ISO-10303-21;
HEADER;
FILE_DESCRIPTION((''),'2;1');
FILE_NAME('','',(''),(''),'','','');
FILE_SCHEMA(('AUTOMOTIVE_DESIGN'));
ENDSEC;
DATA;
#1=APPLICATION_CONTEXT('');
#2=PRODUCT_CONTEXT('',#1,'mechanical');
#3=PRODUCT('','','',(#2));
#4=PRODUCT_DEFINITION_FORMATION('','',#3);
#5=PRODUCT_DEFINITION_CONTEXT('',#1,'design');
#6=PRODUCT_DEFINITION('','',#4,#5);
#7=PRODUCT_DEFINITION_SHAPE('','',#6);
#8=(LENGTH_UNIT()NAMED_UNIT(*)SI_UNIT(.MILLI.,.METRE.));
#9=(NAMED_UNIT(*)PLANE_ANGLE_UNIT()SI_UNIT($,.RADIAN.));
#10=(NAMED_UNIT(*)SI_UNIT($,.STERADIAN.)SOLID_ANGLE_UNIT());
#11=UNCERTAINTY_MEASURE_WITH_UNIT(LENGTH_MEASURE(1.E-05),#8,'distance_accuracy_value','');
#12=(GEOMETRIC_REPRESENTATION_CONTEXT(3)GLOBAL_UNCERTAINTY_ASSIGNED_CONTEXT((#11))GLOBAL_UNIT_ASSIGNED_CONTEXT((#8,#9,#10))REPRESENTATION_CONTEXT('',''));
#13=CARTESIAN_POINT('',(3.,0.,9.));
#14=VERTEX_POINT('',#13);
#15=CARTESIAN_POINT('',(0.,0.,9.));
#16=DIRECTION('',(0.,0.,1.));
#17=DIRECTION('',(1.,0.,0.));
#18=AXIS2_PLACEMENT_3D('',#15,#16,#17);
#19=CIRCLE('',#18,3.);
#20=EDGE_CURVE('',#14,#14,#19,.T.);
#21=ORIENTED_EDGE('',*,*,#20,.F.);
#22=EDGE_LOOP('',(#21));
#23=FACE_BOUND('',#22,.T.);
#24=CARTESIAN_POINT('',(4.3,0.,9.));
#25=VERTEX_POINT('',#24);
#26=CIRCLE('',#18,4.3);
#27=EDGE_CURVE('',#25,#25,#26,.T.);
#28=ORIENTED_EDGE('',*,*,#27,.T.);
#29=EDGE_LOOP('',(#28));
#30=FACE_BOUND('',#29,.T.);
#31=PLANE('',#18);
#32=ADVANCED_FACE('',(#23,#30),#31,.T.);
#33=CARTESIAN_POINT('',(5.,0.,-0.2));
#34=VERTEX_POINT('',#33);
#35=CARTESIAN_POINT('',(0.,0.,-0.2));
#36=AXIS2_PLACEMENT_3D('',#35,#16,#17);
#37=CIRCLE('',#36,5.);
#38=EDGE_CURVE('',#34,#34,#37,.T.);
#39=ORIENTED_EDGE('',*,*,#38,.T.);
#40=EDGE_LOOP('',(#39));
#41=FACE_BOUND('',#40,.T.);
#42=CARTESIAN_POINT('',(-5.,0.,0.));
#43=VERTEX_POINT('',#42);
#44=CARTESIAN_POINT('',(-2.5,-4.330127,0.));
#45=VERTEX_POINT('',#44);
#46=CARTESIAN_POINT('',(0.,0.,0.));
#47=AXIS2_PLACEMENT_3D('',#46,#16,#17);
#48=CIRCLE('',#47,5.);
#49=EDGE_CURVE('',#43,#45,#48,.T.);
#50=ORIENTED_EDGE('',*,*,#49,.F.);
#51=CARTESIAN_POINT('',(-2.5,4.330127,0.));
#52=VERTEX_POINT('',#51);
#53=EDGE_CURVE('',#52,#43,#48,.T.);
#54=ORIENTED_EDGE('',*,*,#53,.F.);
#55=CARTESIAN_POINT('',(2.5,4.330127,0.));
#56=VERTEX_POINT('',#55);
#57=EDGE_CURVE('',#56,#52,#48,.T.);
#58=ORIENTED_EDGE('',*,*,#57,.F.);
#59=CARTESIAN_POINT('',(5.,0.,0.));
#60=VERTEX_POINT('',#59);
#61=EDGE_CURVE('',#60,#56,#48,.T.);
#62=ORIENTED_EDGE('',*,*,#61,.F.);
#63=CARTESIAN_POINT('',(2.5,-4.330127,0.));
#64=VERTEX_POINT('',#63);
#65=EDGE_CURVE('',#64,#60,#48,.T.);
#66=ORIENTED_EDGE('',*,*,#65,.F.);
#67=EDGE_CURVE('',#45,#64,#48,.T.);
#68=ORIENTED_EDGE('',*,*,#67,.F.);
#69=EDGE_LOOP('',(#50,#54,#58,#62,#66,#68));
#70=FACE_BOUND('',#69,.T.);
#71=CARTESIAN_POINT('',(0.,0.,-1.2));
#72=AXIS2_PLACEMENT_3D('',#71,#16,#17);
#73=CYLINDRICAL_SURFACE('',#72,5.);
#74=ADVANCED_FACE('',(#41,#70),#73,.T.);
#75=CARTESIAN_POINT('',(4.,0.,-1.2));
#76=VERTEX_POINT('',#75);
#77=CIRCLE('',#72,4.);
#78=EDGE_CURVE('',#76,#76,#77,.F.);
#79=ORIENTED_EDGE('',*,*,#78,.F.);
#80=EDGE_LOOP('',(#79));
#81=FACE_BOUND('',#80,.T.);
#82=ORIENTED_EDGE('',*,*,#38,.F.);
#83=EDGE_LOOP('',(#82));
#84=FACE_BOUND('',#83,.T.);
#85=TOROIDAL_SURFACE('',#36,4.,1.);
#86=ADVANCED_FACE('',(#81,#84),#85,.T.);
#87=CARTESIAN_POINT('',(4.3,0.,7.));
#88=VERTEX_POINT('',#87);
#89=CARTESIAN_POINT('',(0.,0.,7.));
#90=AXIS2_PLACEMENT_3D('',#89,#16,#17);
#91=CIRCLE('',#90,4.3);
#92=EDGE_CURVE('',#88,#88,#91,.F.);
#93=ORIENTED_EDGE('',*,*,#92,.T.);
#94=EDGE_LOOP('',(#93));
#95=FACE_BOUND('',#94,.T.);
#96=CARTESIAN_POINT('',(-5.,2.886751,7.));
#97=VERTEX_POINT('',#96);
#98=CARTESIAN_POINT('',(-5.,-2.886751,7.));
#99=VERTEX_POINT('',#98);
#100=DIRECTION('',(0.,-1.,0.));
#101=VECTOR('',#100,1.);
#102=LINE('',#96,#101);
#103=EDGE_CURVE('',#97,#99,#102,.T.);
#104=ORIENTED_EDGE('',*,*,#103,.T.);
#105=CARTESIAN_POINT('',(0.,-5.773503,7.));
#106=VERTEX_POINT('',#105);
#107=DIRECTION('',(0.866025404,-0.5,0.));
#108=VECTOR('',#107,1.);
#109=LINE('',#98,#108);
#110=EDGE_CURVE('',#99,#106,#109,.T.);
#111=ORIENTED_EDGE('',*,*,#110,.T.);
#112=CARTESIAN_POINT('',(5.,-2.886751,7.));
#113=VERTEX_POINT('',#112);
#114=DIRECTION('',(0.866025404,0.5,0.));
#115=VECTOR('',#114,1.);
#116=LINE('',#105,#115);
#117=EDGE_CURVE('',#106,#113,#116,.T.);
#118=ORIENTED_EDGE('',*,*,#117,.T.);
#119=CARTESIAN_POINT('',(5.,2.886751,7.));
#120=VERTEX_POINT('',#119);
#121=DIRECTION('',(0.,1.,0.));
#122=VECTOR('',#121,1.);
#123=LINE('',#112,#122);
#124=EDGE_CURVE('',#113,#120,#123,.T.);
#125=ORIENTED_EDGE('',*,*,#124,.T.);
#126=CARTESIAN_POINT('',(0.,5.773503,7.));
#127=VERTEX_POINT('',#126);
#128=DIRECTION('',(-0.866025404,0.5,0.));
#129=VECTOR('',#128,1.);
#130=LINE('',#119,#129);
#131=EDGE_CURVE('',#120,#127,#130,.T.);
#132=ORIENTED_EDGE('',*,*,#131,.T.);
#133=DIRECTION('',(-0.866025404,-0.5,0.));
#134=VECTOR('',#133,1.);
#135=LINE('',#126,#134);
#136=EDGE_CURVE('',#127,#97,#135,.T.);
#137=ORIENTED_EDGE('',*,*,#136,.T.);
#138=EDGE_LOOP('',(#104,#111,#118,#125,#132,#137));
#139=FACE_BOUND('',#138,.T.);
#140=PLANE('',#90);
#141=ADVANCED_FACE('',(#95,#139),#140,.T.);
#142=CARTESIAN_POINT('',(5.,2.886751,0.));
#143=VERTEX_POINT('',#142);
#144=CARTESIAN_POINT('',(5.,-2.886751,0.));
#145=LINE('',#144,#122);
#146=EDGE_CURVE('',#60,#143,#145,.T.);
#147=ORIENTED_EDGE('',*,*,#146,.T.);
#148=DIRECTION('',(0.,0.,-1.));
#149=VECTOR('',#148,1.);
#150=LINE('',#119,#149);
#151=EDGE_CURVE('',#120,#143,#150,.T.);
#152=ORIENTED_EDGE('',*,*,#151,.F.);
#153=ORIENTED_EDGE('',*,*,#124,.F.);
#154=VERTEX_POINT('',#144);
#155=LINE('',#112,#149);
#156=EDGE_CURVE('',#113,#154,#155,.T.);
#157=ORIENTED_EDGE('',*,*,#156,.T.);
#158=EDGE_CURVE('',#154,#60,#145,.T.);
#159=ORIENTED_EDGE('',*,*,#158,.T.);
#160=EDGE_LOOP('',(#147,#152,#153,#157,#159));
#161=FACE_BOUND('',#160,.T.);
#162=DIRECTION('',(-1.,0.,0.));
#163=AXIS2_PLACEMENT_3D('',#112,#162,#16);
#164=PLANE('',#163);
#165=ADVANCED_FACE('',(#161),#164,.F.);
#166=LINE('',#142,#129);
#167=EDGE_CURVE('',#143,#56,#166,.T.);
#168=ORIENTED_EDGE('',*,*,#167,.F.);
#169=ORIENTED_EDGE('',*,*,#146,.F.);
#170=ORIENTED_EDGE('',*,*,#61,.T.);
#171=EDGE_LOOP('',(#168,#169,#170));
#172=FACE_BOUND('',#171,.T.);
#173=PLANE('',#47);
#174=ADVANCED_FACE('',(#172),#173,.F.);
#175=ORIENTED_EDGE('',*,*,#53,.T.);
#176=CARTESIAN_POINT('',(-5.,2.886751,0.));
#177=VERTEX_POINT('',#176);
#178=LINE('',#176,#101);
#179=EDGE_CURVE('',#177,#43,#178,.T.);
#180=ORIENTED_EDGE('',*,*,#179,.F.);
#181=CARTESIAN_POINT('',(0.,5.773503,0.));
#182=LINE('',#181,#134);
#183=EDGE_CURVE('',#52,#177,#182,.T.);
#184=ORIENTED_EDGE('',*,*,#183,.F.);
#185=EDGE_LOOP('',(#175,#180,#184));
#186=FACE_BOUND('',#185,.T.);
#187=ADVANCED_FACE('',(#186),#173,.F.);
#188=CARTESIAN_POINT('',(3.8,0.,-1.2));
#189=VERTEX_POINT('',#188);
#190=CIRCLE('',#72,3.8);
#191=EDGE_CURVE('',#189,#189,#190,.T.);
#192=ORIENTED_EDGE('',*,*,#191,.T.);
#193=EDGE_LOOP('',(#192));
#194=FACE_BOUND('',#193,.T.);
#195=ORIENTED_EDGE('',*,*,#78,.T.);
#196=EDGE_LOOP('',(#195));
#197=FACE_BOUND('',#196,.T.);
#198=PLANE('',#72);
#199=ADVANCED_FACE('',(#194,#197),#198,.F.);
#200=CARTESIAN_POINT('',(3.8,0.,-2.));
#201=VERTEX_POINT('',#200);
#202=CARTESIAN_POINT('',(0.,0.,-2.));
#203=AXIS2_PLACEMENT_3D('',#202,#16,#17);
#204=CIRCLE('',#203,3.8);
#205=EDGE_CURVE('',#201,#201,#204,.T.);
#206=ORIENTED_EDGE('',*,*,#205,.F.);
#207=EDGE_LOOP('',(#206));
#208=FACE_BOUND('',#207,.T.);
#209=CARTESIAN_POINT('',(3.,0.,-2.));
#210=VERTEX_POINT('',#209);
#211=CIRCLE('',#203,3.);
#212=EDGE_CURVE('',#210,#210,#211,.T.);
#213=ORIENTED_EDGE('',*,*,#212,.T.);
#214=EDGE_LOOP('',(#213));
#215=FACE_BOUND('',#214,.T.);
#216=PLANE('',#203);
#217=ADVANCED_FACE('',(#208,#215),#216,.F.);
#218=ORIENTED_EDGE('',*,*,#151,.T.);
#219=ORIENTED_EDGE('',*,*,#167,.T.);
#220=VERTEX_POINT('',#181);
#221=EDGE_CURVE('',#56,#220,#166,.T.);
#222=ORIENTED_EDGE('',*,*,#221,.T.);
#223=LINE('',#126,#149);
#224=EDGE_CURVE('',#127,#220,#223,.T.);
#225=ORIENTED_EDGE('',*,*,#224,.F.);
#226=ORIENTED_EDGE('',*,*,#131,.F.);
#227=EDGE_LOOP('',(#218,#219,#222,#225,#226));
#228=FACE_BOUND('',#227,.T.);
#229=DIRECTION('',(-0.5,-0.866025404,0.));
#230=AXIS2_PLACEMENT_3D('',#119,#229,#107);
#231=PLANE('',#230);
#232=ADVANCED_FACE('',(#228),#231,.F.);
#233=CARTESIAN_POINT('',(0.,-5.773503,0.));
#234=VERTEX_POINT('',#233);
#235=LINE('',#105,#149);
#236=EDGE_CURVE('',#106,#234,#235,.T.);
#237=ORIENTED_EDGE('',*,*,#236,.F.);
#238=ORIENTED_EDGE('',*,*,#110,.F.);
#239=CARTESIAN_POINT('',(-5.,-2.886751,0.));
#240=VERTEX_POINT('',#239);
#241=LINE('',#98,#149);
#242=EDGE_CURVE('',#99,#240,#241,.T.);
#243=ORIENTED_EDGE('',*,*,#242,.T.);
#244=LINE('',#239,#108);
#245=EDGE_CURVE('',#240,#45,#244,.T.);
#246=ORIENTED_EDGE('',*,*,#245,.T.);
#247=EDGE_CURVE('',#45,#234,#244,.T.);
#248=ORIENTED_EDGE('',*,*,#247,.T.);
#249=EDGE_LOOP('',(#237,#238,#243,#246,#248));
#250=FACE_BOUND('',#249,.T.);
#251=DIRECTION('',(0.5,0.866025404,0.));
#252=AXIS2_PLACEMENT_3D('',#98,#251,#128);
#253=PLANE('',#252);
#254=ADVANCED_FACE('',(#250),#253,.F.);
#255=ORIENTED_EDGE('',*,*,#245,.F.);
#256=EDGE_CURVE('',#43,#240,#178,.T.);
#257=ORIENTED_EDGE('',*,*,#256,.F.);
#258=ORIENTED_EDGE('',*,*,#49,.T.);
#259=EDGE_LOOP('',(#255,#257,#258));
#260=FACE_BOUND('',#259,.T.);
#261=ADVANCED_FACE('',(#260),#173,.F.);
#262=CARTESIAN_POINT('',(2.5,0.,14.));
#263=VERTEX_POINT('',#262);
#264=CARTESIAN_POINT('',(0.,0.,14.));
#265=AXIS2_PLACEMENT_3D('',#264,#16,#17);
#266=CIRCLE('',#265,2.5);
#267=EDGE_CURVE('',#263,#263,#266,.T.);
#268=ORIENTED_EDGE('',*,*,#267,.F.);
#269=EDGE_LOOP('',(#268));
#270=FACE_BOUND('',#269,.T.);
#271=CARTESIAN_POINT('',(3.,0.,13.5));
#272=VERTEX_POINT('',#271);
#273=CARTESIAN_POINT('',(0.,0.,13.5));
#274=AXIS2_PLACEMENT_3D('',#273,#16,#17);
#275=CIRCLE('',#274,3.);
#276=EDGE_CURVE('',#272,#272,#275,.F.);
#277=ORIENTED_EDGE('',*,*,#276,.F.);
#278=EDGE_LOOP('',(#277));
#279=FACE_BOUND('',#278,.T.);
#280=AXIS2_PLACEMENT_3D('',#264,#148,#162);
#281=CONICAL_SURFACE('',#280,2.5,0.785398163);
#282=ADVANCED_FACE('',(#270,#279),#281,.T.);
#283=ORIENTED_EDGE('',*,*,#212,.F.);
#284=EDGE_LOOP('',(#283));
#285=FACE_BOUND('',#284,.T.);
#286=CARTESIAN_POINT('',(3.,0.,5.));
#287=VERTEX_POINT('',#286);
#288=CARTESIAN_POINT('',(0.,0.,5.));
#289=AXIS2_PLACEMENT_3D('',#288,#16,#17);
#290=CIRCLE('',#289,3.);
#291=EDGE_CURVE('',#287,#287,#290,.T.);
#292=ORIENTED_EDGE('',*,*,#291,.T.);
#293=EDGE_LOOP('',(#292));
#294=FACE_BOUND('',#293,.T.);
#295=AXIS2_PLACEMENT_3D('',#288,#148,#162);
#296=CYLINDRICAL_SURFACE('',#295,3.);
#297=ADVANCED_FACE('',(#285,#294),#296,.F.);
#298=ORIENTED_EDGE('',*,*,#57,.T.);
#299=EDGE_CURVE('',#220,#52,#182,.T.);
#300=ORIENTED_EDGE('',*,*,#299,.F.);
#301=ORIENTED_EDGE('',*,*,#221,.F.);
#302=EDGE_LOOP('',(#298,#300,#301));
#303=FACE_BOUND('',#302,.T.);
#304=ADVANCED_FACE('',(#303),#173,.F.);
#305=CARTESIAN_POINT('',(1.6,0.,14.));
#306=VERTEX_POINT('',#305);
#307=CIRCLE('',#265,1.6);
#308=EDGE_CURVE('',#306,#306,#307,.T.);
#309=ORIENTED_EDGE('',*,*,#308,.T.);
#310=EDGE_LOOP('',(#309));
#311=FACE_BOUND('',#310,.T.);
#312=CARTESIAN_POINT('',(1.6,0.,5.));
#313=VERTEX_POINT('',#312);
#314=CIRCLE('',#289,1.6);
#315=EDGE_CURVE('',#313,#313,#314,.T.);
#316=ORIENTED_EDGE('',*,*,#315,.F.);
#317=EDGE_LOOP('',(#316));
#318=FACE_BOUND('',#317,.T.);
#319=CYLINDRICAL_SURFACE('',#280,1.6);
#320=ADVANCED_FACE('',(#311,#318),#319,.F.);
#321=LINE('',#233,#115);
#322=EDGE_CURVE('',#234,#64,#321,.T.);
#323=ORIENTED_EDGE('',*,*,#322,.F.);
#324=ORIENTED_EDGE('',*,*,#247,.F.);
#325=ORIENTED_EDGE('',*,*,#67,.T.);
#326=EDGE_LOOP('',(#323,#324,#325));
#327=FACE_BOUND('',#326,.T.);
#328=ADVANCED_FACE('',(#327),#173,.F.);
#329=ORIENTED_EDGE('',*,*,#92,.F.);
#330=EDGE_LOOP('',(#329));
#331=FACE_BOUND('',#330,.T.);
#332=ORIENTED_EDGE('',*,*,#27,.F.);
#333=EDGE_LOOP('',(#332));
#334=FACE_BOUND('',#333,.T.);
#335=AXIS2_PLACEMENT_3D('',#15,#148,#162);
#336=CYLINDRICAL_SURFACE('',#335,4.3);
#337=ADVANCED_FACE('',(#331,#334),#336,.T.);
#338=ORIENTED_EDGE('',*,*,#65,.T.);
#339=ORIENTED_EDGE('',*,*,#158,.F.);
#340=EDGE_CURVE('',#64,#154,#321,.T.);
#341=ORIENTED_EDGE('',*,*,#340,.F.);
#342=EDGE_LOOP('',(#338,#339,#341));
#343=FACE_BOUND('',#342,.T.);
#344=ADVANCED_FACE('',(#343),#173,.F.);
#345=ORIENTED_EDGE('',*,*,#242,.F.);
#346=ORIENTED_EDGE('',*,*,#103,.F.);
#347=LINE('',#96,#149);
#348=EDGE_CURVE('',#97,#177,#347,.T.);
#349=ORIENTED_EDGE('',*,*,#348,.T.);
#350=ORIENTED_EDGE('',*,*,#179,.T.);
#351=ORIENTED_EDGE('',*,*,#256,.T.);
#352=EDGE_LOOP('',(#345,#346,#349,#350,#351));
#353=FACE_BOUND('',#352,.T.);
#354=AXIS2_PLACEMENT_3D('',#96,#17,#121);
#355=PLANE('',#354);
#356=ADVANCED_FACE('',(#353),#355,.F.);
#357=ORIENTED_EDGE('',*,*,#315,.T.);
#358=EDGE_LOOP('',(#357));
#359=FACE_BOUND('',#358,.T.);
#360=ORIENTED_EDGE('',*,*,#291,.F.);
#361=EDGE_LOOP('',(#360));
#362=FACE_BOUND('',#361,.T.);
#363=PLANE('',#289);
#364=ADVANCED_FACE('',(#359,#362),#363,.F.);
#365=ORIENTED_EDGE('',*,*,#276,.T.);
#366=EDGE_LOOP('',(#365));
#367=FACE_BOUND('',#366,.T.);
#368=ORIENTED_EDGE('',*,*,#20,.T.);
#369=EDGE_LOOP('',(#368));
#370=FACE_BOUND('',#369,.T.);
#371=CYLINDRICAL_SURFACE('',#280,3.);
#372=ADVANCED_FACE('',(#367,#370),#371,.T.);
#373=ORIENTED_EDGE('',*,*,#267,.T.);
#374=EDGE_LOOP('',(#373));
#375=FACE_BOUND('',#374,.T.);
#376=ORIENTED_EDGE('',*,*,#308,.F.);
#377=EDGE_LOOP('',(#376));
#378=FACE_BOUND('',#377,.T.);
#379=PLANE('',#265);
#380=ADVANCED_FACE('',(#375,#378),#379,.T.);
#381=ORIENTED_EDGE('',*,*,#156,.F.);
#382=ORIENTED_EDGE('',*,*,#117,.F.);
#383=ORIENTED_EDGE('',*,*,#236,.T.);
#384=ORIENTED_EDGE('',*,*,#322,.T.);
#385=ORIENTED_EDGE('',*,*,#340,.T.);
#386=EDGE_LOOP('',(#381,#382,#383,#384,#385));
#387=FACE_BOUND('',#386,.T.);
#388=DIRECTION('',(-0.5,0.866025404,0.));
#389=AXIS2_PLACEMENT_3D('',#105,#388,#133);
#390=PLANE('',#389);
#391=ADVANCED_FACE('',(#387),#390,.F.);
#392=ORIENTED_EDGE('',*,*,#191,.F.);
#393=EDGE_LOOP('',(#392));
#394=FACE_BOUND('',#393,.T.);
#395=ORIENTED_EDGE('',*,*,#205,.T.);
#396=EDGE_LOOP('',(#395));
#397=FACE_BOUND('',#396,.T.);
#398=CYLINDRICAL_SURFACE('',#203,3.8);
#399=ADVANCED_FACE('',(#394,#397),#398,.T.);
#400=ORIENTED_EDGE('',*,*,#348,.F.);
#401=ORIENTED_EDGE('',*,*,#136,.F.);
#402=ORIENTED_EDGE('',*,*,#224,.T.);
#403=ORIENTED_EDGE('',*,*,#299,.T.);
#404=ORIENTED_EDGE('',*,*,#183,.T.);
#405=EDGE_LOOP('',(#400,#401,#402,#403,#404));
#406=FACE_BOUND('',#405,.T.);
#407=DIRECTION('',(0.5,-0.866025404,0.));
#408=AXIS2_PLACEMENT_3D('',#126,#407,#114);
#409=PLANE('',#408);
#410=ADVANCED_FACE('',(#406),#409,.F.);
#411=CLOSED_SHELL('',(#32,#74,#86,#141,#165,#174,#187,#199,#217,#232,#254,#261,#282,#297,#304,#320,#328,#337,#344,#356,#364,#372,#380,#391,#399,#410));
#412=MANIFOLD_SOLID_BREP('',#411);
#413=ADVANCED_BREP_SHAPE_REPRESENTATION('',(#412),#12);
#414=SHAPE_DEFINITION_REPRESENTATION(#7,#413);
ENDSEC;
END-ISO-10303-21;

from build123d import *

# Parameters (mm, degrees)
EXTRUDE_2_DEPTH      = 7
SKETCH_1_4_R         = 5
EXTRUDE_3_DEPTH      = 1.2
SKETCH_1_5_R         = 3
EXTRUDE_4_DEPTH      = 14
SKETCH_1_6_R         = 4.3
EXTRUDE_5_DEPTH      = 9
SKETCH_1_8_R         = 3.8
EXTRUDE_6_DEPTH      = 2
FILLET_1_R           = 1
CUT_EXTRUDE_START    = -2
SKETCH_1_10_R        = 1.6
CUT_EXTRUDE_31_DEPTH = 17
SKETCH_1_11_R        = 3
SKETCH_1_11_R_2      = 1.6
CUT_EXTRUDE_32_DEPTH = 7
CHAMFER_1_SIZE       = 0.5


with BuildPart() as part:
    # Эскиз1 → Бобышка-Вытянуть2 (new body)
    with BuildSketch(Plane.XY):
        Polygon((0, 5.773502692), (-5, 2.886751346), (-5, -2.886751346), (0, -5.773502692), (5, -2.886751346), (5, 2.886751346), align=None)
    extrude(amount=EXTRUDE_2_DEPTH)

    # Эскиз1<4> → Бобышка-Вытянуть3 (add)
    with BuildSketch(Plane.XY):
        Circle(SKETCH_1_4_R)
    extrude(amount=-EXTRUDE_3_DEPTH)

    # Эскиз1<5> → Бобышка-Вытянуть4 (add)
    with BuildSketch(Plane.XY):
        Circle(SKETCH_1_5_R)
    extrude(amount=EXTRUDE_4_DEPTH)

    # Эскиз1<6> → Бобышка-Вытянуть5 (add)
    with BuildSketch(Plane.XY):
        Circle(SKETCH_1_6_R)
    extrude(amount=EXTRUDE_5_DEPTH)

    # Эскиз1<8> → Бобышка-Вытянуть6 (add)
    with BuildSketch(Plane.XY):
        Circle(SKETCH_1_8_R)
    extrude(amount=-EXTRUDE_6_DEPTH)

    # Скругление1
    fillet_1_edges = [part.edges().sort_by_distance(p)[0] for p in [
        (-5, 0, -1.2),
    ]]
    fillet(fillet_1_edges, radius=FILLET_1_R)

    # Эскиз1<10> → Вырез-Вытянуть31 (cut, through all)
    with BuildSketch(Plane.XY.offset(CUT_EXTRUDE_START)):
        Circle(SKETCH_1_10_R)
    extrude(amount=CUT_EXTRUDE_31_DEPTH, mode=Mode.SUBTRACT)

    # Эскиз1<11> → Вырез-Вытянуть32 (cut)
    with BuildSketch(Plane.XY.offset(CUT_EXTRUDE_START)):
        Circle(SKETCH_1_11_R)
        Circle(SKETCH_1_11_R_2, mode=Mode.SUBTRACT)
    extrude(amount=CUT_EXTRUDE_32_DEPTH, mode=Mode.SUBTRACT)

    # Фаска1
    chamfer_1_edges = [part.edges().sort_by_distance(p)[0] for p in [
        (-3, 0, 14),
    ]]
    chamfer(chamfer_1_edges, length=CHAMFER_1_SIZE)


solid = part.part
